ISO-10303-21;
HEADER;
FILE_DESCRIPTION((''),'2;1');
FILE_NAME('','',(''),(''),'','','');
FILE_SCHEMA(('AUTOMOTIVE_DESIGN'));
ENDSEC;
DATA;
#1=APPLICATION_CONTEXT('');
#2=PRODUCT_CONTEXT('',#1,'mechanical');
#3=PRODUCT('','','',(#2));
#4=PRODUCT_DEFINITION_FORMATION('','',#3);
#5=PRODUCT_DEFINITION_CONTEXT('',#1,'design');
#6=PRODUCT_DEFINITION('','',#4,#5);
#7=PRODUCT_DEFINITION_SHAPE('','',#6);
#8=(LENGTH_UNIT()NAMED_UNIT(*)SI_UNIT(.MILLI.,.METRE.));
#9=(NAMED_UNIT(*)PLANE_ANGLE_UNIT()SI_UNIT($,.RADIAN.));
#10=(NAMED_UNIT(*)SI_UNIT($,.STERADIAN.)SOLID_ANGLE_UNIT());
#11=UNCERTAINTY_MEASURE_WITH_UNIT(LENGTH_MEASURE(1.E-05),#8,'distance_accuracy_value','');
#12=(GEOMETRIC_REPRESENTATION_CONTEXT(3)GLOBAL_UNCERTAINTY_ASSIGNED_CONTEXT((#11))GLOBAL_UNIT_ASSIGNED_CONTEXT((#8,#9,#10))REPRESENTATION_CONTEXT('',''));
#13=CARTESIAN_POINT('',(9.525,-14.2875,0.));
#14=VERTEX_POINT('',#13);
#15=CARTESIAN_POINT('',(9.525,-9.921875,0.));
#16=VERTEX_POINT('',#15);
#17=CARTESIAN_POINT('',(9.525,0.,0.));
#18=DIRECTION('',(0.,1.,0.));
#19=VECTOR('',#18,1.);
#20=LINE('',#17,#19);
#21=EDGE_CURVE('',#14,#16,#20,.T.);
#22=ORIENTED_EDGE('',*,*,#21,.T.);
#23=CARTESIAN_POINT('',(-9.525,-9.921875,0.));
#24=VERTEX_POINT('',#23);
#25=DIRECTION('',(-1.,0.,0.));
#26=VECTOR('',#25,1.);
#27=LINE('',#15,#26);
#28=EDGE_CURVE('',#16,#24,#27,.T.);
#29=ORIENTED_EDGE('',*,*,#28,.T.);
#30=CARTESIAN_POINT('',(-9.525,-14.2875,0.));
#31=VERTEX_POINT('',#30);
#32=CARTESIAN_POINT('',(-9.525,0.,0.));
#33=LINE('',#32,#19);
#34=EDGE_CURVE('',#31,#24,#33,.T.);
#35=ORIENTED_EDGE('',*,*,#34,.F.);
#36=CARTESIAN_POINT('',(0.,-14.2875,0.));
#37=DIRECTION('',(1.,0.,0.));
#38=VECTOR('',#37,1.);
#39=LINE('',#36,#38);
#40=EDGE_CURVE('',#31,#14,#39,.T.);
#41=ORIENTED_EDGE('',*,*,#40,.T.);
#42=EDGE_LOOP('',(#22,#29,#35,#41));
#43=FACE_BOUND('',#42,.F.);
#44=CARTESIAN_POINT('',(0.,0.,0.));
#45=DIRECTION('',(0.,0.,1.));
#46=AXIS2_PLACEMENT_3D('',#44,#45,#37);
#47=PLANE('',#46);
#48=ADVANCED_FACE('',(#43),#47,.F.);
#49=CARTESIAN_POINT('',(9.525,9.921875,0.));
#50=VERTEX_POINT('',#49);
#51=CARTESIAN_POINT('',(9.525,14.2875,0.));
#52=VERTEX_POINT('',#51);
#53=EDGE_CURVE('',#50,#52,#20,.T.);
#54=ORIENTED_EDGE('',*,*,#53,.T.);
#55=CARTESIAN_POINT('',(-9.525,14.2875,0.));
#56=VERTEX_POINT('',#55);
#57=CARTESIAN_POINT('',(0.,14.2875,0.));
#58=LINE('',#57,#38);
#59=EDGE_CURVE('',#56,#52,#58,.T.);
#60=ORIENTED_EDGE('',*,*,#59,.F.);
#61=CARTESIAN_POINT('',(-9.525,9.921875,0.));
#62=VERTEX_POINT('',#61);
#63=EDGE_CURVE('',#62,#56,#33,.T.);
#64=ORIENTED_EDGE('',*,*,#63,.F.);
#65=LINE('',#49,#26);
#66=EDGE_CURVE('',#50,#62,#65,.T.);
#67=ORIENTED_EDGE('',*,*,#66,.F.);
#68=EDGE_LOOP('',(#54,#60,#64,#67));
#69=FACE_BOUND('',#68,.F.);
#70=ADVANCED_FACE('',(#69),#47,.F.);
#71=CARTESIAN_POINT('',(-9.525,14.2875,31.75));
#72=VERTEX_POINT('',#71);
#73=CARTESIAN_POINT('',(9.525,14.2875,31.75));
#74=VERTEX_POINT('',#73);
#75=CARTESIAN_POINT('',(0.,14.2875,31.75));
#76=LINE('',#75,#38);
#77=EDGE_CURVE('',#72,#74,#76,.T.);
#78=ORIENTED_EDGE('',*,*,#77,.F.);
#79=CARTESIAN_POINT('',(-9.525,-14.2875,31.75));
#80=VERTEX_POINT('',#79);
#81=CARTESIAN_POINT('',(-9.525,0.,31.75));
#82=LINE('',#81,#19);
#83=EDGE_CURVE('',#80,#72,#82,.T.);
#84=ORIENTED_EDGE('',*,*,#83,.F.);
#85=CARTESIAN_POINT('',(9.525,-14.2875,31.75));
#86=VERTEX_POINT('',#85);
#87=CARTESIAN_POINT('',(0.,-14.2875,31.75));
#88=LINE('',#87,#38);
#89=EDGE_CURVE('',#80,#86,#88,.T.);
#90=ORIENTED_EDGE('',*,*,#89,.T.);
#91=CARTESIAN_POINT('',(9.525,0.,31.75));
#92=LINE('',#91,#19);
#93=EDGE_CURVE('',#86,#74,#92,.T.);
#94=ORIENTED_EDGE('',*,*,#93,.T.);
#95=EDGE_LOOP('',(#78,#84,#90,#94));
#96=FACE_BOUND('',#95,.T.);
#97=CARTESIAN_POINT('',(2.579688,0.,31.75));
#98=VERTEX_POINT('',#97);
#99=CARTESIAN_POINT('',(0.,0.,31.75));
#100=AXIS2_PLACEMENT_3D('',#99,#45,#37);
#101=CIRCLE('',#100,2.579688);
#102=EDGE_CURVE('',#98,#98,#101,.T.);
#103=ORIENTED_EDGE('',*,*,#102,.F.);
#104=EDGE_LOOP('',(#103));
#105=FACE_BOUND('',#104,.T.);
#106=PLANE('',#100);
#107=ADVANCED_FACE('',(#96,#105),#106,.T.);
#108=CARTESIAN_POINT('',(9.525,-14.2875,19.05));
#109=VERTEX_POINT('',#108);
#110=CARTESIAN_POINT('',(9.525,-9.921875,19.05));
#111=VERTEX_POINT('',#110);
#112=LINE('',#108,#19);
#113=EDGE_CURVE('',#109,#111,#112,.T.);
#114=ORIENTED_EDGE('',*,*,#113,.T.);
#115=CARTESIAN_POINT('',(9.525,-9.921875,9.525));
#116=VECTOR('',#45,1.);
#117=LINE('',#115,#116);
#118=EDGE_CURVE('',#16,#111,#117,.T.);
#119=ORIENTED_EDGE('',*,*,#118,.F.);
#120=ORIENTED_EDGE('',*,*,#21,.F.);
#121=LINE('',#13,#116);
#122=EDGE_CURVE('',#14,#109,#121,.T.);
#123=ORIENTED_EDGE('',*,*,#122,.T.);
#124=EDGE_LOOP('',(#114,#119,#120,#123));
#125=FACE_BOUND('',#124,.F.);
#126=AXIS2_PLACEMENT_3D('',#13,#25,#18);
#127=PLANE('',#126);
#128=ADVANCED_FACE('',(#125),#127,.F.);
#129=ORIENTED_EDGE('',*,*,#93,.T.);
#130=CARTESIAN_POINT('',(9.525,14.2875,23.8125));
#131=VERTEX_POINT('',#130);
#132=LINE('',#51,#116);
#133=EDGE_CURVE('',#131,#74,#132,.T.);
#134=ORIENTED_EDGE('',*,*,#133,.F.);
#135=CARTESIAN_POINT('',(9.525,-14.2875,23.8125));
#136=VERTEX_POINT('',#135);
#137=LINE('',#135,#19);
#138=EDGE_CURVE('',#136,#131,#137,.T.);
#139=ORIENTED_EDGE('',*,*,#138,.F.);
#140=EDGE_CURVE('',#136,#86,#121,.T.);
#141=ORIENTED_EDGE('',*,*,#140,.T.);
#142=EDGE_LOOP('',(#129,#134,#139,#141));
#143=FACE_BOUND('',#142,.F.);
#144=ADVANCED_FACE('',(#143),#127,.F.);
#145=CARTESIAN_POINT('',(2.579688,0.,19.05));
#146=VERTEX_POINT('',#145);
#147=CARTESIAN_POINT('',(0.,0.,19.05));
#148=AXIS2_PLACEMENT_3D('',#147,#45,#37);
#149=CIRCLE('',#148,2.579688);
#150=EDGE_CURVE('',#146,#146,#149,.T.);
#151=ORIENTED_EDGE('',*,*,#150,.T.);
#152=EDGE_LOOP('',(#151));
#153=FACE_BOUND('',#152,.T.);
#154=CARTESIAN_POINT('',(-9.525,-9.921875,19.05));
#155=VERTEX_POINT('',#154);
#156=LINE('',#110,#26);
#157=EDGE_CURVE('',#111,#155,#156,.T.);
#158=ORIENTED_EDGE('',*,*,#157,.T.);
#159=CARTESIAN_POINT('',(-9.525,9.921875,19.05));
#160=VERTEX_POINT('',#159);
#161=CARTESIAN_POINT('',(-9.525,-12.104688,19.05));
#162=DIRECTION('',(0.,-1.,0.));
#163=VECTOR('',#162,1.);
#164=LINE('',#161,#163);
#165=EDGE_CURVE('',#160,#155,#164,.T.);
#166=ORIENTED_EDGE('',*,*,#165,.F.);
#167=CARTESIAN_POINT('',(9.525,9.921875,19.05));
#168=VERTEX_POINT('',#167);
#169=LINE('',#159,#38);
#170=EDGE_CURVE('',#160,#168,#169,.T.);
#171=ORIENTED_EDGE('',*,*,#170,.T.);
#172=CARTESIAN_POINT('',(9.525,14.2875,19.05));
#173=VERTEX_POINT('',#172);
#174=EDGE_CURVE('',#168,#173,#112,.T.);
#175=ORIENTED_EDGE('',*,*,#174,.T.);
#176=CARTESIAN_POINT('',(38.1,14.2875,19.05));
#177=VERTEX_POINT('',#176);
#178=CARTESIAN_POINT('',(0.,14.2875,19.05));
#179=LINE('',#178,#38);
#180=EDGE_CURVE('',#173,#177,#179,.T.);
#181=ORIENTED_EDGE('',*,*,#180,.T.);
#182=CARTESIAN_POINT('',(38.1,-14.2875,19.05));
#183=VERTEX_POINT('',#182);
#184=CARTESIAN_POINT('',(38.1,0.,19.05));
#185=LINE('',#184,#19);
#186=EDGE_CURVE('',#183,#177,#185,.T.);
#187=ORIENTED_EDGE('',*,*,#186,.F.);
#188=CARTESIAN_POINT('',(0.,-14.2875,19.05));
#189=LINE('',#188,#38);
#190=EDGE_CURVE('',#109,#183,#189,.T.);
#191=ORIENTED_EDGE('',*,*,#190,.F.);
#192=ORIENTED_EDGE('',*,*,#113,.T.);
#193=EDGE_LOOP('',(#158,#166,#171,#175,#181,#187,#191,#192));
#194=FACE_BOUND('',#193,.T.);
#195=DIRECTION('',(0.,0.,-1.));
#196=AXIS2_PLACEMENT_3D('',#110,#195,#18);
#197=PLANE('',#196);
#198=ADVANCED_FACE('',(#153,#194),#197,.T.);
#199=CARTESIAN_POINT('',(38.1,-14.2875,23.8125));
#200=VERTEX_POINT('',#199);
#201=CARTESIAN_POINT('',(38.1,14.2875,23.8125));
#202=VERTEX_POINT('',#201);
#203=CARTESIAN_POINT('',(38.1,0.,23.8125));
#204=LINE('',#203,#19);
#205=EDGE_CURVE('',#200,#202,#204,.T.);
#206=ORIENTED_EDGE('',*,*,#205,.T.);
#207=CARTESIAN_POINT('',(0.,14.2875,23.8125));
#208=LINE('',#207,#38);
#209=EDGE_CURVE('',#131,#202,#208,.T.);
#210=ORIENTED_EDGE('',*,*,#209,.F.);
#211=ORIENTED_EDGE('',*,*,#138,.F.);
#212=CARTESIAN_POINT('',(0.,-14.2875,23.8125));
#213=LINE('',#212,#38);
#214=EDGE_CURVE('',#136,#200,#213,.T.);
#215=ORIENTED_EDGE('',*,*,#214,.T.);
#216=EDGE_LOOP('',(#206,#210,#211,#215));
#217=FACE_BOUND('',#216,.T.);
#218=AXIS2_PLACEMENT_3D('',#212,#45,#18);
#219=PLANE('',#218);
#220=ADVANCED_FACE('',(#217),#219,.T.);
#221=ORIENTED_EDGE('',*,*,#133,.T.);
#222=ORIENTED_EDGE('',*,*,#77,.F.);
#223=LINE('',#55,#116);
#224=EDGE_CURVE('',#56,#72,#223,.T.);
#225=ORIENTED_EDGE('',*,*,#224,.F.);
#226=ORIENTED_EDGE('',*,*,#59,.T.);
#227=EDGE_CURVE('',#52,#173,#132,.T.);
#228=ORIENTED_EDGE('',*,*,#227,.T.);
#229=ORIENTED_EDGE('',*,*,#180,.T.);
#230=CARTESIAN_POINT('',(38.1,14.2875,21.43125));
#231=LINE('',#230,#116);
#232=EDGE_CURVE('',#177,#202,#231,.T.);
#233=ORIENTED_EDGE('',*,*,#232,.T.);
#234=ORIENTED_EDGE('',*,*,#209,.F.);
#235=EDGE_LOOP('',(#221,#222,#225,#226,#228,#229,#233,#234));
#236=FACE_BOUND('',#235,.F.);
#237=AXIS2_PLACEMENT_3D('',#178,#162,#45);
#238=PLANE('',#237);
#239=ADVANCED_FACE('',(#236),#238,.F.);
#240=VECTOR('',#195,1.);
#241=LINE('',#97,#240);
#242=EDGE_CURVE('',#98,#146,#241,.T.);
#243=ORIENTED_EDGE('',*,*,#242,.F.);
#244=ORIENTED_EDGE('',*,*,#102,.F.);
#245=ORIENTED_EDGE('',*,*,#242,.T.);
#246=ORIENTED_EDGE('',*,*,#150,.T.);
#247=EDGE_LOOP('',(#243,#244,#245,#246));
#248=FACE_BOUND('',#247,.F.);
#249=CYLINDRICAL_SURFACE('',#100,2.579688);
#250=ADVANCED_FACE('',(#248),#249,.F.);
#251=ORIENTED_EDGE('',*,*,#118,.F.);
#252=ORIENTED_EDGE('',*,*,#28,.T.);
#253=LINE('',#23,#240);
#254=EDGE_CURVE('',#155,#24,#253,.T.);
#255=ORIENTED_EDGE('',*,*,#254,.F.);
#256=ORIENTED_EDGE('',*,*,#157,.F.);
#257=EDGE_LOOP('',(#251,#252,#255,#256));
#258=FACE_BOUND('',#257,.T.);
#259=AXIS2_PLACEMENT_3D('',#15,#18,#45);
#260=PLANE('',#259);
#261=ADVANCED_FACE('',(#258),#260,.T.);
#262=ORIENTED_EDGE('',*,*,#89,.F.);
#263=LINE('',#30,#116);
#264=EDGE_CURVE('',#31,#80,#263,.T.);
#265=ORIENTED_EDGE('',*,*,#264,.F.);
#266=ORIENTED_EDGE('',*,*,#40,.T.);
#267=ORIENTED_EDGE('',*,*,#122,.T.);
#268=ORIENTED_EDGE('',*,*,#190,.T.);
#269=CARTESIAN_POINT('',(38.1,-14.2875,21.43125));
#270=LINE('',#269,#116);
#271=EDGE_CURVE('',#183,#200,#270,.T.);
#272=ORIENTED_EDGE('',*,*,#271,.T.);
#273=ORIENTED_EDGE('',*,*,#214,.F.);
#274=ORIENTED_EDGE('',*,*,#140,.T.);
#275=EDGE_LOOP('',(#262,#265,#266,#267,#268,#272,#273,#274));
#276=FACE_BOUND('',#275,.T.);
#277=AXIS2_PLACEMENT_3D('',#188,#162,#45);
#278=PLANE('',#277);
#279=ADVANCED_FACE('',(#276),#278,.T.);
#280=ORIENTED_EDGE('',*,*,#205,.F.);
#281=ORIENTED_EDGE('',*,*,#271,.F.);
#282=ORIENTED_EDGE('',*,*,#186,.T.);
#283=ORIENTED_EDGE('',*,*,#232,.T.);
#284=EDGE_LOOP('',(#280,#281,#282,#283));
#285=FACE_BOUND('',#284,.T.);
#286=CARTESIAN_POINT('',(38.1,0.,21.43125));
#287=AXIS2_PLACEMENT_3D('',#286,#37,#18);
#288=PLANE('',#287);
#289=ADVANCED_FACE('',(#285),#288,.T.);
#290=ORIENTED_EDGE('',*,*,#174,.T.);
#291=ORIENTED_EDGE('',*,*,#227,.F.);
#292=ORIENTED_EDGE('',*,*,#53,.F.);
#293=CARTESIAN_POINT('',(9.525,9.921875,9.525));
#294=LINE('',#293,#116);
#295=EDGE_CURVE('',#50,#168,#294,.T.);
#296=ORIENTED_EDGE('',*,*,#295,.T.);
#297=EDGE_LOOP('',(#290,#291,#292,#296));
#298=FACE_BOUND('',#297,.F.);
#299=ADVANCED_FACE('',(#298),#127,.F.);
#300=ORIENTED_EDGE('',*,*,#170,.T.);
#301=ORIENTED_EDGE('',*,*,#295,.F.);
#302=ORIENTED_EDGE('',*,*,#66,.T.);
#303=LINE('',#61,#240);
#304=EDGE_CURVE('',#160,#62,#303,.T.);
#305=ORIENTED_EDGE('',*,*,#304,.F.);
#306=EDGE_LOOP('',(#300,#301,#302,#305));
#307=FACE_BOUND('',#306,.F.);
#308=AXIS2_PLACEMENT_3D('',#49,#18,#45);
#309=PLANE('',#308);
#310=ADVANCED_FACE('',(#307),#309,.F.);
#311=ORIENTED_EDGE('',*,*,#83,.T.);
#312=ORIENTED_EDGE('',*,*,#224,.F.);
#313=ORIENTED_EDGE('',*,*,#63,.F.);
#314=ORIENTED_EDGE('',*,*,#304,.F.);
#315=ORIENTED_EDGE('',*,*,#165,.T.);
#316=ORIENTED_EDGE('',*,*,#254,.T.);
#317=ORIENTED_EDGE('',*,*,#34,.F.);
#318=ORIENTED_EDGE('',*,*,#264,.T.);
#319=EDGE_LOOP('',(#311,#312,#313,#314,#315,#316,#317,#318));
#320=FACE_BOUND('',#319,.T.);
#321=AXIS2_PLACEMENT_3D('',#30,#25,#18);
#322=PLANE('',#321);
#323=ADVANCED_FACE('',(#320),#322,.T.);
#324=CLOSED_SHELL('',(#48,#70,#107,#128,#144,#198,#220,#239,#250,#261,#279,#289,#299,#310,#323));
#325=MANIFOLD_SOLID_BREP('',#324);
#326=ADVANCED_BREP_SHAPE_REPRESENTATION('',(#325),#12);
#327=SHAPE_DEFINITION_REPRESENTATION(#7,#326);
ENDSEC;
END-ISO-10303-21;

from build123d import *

# Parameters (mm, degrees)
F0_W     = 19.05
F0_H     = 28.575
F1_DEPTH = 31.75
F2_W     = 19.84375
F2_H     = 19.05
F3_DEPTH = 19.051
F4_W     = 28.575
F4_H     = 4.7625
F5_DEPTH = 38.1
F6_R     = 2.579688
F7_DEPTH = 31.751


with BuildPart() as f1:
    # F0 (on Top) → F1 (new body)
    with BuildSketch(Plane.XY):
        Rectangle(F0_W, F0_H)
    extrude(amount=F1_DEPTH)

    # F2 (on face) → F3 (cut, through all)
    with BuildSketch(Plane.YZ.offset(9.525)):
        with Locations((0, 9.525)):
            Rectangle(F2_W, F2_H)
    extrude(amount=-F3_DEPTH, mode=Mode.SUBTRACT)

    # F4 (on Right) → F5 (join)
    with BuildSketch(Plane.YZ):
        with Locations((0, 21.43125)):
            Rectangle(F4_W, F4_H)
    extrude(amount=F5_DEPTH)

    # F6 (on face) → F7 (cut, through all)
    with BuildSketch(Plane.XY.offset(31.75)):
        Circle(F6_R)
    extrude(amount=-F7_DEPTH, mode=Mode.SUBTRACT)


solid = f1.part
